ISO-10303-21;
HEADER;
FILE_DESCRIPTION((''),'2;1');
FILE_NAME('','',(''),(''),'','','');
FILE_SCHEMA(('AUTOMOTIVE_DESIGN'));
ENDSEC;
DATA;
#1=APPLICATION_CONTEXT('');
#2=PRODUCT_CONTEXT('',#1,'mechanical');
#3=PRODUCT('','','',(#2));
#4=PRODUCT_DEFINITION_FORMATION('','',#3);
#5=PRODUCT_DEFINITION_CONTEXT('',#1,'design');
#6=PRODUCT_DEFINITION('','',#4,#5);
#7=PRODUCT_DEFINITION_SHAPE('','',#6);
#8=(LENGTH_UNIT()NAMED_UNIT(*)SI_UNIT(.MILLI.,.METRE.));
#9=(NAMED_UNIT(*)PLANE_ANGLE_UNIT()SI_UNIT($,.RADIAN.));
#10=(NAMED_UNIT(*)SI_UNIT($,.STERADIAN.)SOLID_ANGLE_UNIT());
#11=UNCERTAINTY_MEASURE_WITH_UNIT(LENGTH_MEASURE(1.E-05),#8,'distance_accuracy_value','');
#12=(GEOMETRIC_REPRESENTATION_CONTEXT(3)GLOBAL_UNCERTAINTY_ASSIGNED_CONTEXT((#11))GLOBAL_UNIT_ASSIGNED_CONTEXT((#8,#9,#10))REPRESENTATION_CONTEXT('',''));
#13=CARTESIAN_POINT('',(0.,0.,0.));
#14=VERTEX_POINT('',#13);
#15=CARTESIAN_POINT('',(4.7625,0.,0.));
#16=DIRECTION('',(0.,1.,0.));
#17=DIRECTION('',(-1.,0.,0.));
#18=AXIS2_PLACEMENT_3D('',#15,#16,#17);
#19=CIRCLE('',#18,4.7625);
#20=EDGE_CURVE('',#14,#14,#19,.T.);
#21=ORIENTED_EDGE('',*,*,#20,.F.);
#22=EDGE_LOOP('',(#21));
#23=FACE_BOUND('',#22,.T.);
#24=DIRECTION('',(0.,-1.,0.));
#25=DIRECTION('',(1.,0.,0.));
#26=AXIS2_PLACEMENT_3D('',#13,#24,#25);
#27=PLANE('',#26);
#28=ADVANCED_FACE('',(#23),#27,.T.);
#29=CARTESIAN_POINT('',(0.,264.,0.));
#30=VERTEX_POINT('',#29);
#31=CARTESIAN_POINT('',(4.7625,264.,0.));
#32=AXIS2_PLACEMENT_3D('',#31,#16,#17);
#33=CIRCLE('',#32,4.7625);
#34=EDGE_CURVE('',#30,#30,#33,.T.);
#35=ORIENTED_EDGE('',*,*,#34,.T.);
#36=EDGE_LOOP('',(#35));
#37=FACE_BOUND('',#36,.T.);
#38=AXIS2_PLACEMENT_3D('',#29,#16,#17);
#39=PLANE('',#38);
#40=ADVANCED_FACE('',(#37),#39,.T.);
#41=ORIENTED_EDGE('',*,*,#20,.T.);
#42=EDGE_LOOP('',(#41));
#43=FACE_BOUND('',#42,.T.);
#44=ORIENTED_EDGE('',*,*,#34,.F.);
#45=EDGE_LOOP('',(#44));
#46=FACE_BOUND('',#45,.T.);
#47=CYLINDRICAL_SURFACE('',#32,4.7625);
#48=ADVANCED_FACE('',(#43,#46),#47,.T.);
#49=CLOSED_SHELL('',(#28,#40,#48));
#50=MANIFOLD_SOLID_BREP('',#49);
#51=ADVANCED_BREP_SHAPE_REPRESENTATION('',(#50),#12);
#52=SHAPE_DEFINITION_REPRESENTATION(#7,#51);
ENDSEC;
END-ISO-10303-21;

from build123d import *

# Parameters (mm, degrees)
SKETCH1_W = 4.7625
SKETCH1_H = 264


with BuildPart() as part:
    # Sketch1 → Revolve1 (revolve)
    with BuildSketch(Plane.XY):
        with Locations((2.38125, 132)):
            Rectangle(SKETCH1_W, SKETCH1_H)
    revolve(axis=Axis((4.7625, 264, 0), (0, -1, 0)))


solid = part.part
